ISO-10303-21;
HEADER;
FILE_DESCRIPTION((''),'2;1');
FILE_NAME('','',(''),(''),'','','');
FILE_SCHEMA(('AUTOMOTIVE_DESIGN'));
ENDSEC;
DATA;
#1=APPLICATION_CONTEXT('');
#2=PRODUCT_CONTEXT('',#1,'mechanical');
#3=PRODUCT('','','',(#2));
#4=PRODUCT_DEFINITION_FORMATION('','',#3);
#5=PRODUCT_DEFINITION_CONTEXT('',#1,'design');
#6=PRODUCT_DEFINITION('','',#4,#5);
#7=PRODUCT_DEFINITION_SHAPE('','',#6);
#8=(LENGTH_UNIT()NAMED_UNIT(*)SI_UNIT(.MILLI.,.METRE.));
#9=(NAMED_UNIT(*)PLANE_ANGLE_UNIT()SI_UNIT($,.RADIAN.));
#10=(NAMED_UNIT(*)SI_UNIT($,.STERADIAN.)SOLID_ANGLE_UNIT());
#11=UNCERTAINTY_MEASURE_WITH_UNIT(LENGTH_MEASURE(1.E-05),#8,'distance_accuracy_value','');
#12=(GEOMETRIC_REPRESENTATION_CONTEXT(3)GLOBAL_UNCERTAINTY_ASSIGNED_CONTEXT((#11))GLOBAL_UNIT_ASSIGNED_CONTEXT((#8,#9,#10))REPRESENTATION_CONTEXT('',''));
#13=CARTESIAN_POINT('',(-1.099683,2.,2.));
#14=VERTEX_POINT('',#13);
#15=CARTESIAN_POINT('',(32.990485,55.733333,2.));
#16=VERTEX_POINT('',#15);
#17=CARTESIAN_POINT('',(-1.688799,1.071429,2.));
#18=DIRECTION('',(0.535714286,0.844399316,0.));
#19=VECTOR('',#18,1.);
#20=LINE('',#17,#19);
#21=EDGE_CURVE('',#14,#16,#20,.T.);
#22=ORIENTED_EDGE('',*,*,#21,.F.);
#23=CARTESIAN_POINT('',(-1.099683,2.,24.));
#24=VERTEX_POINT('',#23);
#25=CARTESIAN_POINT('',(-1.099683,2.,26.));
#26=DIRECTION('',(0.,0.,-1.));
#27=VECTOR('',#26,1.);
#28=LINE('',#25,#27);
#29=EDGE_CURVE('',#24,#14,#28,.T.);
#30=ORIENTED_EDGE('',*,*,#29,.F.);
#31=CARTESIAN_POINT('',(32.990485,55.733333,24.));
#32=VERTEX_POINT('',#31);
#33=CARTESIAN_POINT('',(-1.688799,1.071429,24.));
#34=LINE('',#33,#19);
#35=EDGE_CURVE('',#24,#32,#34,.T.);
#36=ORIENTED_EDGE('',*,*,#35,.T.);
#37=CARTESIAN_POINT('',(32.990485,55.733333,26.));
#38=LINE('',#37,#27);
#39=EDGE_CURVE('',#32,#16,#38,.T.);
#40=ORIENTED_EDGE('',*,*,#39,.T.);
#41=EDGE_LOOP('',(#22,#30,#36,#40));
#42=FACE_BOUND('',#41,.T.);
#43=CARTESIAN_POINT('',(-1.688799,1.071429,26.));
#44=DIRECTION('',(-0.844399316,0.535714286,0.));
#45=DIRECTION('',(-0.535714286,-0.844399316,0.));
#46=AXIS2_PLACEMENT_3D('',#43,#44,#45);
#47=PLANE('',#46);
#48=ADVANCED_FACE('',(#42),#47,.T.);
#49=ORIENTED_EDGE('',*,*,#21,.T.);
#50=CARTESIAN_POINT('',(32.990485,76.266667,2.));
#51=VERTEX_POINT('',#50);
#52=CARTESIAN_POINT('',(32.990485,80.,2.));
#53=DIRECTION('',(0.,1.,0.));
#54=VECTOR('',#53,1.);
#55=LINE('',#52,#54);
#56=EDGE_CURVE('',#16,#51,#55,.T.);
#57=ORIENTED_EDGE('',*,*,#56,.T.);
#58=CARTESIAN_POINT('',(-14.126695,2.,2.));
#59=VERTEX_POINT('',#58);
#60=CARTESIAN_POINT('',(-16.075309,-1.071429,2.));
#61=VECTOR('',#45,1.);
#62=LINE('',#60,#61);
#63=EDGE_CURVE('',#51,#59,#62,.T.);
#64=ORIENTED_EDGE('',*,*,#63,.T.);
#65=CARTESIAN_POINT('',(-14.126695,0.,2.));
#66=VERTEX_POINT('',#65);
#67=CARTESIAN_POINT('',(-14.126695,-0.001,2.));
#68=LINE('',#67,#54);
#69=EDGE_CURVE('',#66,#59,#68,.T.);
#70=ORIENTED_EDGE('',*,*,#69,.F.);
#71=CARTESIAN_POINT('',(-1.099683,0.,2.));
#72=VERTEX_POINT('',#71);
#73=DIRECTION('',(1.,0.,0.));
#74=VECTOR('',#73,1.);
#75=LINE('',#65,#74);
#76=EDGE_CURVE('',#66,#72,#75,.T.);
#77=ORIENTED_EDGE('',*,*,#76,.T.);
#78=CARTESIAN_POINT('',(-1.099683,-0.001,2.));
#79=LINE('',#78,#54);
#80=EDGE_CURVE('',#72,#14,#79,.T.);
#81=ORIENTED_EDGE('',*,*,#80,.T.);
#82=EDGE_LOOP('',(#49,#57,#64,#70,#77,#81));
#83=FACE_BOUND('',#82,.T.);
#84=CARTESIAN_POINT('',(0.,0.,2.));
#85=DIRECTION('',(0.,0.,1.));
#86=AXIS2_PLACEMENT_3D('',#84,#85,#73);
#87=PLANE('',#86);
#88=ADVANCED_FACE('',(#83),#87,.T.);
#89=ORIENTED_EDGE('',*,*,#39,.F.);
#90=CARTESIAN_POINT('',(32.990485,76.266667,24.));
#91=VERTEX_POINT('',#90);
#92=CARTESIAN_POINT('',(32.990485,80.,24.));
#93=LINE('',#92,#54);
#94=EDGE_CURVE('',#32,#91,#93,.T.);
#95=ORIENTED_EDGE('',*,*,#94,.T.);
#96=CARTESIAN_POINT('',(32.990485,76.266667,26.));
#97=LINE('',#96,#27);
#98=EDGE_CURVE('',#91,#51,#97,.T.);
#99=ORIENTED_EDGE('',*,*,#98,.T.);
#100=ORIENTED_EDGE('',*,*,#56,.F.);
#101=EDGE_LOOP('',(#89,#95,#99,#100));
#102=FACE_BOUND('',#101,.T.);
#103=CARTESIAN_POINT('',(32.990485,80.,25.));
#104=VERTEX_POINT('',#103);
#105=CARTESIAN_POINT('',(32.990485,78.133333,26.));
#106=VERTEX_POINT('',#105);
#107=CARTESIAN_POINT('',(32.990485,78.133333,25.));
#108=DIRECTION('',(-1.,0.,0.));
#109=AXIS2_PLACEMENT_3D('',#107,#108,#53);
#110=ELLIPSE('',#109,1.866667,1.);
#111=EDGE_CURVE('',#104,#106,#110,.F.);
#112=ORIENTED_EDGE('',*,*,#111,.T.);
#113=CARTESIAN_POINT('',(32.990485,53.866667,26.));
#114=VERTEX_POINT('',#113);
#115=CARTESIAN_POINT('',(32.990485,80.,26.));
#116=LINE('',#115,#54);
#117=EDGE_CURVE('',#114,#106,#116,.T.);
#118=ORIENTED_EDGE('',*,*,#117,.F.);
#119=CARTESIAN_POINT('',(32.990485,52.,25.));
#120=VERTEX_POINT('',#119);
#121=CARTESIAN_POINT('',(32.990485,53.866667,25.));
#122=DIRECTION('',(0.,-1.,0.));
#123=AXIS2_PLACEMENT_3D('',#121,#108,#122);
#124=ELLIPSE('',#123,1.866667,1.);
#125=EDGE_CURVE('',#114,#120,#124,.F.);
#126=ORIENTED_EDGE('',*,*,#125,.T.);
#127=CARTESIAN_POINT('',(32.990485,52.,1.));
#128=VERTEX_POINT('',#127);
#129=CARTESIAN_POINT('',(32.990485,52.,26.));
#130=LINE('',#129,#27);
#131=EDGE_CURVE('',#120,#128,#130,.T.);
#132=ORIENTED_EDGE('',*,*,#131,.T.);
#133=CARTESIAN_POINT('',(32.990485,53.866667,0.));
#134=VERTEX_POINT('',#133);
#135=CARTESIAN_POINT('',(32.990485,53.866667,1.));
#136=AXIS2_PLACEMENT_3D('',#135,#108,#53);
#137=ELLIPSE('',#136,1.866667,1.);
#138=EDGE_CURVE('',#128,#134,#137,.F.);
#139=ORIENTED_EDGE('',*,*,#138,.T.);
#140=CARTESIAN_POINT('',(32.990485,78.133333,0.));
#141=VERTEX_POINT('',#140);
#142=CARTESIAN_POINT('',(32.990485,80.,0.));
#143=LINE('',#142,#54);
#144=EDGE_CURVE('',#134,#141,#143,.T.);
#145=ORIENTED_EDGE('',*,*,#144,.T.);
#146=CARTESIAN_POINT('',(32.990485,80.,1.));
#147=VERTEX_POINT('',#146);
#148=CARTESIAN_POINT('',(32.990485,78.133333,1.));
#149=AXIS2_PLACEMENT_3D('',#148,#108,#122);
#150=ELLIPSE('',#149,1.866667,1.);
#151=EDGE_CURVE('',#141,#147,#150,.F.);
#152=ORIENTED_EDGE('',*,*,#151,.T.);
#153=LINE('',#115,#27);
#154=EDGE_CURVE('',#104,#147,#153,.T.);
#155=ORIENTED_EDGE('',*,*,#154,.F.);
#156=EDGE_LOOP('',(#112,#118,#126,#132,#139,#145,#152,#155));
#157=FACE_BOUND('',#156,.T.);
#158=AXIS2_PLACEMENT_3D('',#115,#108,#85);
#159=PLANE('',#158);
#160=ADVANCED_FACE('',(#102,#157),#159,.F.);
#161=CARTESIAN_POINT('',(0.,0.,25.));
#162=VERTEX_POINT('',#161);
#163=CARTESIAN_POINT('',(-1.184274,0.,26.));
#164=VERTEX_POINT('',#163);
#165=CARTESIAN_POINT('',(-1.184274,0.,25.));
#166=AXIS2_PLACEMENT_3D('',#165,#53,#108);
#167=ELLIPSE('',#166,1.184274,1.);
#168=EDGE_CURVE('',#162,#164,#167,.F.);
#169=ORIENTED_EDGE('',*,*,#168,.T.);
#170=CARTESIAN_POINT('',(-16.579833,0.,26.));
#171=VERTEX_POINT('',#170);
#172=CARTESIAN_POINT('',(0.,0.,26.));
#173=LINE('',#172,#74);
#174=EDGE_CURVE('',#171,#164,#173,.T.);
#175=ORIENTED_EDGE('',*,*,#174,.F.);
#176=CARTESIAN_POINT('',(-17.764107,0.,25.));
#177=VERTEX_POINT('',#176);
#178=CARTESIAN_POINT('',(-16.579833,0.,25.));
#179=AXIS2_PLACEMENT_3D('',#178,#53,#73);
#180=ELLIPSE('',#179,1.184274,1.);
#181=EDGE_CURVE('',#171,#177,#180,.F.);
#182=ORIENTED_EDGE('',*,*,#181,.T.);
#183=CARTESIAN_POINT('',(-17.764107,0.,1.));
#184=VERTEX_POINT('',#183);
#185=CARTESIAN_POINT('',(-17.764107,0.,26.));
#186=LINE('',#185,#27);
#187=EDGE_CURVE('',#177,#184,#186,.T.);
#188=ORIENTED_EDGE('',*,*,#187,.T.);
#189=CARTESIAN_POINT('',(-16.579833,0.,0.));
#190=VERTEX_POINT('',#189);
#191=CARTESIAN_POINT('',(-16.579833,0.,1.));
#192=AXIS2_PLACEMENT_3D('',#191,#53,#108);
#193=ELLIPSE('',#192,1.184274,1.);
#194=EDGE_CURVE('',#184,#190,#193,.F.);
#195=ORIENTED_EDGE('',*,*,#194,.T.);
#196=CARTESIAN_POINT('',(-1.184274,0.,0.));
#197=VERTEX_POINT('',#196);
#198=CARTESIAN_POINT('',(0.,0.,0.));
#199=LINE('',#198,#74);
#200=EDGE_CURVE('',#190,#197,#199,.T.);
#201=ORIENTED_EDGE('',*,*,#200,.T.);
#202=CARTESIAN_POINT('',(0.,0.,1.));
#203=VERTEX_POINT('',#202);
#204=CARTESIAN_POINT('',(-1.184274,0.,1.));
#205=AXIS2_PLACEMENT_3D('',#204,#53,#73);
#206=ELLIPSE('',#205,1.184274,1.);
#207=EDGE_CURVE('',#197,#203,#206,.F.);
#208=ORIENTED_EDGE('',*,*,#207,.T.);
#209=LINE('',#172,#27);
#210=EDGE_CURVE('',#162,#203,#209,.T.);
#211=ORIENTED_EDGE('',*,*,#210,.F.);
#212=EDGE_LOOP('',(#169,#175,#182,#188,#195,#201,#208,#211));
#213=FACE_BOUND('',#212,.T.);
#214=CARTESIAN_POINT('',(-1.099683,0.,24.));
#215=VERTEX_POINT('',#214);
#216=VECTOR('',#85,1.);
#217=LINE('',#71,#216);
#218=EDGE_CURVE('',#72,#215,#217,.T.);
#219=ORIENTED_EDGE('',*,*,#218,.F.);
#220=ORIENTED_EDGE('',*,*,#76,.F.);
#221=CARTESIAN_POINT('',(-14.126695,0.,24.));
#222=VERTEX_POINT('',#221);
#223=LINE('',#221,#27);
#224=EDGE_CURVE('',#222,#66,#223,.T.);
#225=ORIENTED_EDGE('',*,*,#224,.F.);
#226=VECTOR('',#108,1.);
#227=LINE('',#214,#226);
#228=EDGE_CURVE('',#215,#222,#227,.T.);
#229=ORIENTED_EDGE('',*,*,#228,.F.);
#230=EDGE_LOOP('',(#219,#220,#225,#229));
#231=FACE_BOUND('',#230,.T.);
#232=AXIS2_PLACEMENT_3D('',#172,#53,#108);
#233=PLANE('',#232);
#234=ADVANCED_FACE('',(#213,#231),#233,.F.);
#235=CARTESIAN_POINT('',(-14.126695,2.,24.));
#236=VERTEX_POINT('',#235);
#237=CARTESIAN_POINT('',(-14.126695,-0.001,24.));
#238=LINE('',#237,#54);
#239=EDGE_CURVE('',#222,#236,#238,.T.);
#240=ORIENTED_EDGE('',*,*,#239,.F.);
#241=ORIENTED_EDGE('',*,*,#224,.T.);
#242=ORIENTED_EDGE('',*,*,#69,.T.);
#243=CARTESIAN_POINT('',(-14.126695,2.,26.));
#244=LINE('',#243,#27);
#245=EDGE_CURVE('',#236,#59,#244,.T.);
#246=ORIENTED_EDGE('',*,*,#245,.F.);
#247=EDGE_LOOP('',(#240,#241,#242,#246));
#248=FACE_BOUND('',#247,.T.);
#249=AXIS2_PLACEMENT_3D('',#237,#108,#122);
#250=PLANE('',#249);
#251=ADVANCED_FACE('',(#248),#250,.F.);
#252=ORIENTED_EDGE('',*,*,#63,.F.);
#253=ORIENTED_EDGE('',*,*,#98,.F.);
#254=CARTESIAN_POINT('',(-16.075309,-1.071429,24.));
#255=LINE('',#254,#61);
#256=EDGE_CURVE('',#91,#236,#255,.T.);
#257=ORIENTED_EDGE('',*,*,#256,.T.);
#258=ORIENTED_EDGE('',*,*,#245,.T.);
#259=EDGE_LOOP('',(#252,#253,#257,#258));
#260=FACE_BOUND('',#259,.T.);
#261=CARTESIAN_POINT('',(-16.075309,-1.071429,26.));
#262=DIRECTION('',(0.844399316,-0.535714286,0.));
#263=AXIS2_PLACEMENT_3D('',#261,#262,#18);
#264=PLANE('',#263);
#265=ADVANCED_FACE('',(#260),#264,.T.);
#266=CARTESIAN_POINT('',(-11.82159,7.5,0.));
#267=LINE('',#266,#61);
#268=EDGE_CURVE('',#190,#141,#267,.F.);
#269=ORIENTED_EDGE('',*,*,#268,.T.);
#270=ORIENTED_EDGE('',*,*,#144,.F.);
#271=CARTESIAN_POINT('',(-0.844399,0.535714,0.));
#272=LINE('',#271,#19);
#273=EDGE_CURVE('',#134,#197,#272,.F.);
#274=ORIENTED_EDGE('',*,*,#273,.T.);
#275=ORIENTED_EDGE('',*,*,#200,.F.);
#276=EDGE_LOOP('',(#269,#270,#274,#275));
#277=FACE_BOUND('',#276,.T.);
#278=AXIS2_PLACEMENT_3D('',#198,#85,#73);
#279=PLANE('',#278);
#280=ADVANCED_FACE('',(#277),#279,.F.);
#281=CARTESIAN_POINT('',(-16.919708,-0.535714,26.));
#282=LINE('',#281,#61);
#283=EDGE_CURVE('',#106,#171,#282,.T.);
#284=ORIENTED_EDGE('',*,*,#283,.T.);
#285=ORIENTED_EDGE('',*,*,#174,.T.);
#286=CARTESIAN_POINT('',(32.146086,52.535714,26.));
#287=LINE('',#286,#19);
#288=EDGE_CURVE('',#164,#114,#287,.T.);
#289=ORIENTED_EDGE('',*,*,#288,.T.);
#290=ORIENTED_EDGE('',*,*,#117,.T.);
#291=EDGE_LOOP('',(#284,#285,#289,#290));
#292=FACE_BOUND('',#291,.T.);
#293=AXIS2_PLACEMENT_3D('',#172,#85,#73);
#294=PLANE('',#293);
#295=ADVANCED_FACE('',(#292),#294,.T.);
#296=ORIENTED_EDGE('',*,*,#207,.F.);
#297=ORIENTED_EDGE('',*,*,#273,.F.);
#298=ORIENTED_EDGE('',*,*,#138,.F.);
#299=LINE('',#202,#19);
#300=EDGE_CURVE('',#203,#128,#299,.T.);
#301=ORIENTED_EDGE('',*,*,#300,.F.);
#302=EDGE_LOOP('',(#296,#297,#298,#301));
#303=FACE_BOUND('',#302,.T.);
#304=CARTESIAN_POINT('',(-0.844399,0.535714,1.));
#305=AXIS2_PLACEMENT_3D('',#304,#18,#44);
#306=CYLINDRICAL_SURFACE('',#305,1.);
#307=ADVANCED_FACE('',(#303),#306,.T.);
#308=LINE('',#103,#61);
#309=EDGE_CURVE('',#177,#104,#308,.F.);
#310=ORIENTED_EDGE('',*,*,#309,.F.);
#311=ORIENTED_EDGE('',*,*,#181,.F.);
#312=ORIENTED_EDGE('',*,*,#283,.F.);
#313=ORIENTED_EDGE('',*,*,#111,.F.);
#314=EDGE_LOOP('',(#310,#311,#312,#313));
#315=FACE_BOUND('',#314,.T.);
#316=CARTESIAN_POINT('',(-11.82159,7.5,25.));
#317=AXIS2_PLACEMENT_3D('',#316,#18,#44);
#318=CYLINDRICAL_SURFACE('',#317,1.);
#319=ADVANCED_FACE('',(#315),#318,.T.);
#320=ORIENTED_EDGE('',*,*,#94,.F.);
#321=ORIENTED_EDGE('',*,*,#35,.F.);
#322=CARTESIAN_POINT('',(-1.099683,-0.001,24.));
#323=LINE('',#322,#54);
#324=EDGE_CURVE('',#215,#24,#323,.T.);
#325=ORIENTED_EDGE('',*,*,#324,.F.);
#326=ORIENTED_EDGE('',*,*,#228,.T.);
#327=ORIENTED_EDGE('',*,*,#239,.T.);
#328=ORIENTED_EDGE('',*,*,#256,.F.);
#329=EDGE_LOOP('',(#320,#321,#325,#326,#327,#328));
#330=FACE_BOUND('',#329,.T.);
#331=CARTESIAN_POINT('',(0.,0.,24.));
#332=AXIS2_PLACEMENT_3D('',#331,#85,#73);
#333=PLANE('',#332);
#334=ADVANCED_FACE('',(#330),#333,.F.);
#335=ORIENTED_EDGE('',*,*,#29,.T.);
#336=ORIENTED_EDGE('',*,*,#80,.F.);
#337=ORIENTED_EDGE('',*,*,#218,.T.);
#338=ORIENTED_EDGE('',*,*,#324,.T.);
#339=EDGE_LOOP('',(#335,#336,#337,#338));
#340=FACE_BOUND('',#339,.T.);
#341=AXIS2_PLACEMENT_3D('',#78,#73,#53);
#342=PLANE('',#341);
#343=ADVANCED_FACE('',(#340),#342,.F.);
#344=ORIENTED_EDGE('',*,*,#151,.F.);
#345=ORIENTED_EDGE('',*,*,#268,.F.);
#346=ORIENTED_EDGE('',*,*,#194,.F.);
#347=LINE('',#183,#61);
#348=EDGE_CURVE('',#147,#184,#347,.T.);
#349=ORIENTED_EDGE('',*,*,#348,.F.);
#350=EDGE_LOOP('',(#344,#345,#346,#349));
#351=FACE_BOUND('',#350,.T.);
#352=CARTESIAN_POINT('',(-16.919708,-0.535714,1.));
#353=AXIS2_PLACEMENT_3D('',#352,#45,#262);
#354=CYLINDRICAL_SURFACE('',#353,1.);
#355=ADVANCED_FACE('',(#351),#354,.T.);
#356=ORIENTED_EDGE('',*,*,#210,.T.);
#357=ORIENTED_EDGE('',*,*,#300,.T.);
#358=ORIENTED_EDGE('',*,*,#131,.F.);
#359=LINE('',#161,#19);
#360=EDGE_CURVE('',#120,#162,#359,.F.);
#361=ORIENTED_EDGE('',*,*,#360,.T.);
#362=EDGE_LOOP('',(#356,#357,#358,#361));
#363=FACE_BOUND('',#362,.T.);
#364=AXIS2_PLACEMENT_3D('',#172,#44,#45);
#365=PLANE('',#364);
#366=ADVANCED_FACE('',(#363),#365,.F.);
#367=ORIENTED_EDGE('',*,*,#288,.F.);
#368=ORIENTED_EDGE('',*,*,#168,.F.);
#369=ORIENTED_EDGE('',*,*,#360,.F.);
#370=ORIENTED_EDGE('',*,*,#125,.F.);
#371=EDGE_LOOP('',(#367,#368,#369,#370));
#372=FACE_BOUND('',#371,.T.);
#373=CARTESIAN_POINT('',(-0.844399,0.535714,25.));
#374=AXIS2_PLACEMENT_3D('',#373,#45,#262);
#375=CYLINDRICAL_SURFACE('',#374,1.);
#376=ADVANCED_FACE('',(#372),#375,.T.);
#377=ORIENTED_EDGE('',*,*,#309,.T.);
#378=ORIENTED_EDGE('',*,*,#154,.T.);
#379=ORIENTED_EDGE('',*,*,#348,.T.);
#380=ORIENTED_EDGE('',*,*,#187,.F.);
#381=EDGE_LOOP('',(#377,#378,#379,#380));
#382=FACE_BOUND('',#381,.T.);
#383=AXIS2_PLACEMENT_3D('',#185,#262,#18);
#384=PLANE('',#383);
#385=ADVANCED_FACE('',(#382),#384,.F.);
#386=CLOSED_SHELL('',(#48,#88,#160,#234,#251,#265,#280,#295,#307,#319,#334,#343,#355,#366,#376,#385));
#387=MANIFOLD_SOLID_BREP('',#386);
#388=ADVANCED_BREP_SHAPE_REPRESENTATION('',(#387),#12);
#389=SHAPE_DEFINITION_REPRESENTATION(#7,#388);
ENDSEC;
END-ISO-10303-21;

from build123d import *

# Parameters (mm, degrees)
BOSS_EXTRUDE1_DEPTH = 26
SHELL1_T            = -2
CUT_EXTRUDE1_REACH  = 90.591
SKETCH2_W           = 13.02701198
SKETCH2_H           = 22
FILLET1_R           = 1


with BuildPart() as part:
    # Sketch1 → Boss-Extrude1 (new body)
    with BuildSketch(Plane.XY):
        Polygon((0, 0), (-17.764107246, 0), (32.990484886, 80), (32.990484886, 52), align=None)
    extrude(amount=BOSS_EXTRUDE1_DEPTH)

    # Shell1
    shell1_openings = [part.faces().sort_by_distance(p)[0] for p in [
        (32.990484886, 66, 13),
    ]]
    offset(amount=SHELL1_T, openings=shell1_openings, kind=Kind.INTERSECTION)

    # Sketch2 → Cut-Extrude1 (cut, up to next)
    with BuildSketch(Plane(origin=(0, 2, 0), x_dir=(1, 0, 0), z_dir=(0, 1, 0)), mode=Mode.PRIVATE) as cut_extrude1_sk1:
        with Locations((-7.61318882, -13)):
            Rectangle(SKETCH2_W, SKETCH2_H)
    cut_extrude1_tool1 = extrude(cut_extrude1_sk1.sketch, amount=-CUT_EXTRUDE1_REACH, mode=Mode.PRIVATE) & part.part
    add(cut_extrude1_tool1.solids().sort_by_distance((-7.613189, 2, 13))[0], mode=Mode.SUBTRACT)

    # Fillet1
    fillet1_edges = [part.edges().sort_by_distance(p)[0] for p in [
        (7.61318882, 40, 26),
        (16.495242443, 26, 26),
        (7.61318882, 40, 0),
        (16.495242443, 26, 0),
    ]]
    fillet(fillet1_edges, radius=FILLET1_R)


solid = part.part
